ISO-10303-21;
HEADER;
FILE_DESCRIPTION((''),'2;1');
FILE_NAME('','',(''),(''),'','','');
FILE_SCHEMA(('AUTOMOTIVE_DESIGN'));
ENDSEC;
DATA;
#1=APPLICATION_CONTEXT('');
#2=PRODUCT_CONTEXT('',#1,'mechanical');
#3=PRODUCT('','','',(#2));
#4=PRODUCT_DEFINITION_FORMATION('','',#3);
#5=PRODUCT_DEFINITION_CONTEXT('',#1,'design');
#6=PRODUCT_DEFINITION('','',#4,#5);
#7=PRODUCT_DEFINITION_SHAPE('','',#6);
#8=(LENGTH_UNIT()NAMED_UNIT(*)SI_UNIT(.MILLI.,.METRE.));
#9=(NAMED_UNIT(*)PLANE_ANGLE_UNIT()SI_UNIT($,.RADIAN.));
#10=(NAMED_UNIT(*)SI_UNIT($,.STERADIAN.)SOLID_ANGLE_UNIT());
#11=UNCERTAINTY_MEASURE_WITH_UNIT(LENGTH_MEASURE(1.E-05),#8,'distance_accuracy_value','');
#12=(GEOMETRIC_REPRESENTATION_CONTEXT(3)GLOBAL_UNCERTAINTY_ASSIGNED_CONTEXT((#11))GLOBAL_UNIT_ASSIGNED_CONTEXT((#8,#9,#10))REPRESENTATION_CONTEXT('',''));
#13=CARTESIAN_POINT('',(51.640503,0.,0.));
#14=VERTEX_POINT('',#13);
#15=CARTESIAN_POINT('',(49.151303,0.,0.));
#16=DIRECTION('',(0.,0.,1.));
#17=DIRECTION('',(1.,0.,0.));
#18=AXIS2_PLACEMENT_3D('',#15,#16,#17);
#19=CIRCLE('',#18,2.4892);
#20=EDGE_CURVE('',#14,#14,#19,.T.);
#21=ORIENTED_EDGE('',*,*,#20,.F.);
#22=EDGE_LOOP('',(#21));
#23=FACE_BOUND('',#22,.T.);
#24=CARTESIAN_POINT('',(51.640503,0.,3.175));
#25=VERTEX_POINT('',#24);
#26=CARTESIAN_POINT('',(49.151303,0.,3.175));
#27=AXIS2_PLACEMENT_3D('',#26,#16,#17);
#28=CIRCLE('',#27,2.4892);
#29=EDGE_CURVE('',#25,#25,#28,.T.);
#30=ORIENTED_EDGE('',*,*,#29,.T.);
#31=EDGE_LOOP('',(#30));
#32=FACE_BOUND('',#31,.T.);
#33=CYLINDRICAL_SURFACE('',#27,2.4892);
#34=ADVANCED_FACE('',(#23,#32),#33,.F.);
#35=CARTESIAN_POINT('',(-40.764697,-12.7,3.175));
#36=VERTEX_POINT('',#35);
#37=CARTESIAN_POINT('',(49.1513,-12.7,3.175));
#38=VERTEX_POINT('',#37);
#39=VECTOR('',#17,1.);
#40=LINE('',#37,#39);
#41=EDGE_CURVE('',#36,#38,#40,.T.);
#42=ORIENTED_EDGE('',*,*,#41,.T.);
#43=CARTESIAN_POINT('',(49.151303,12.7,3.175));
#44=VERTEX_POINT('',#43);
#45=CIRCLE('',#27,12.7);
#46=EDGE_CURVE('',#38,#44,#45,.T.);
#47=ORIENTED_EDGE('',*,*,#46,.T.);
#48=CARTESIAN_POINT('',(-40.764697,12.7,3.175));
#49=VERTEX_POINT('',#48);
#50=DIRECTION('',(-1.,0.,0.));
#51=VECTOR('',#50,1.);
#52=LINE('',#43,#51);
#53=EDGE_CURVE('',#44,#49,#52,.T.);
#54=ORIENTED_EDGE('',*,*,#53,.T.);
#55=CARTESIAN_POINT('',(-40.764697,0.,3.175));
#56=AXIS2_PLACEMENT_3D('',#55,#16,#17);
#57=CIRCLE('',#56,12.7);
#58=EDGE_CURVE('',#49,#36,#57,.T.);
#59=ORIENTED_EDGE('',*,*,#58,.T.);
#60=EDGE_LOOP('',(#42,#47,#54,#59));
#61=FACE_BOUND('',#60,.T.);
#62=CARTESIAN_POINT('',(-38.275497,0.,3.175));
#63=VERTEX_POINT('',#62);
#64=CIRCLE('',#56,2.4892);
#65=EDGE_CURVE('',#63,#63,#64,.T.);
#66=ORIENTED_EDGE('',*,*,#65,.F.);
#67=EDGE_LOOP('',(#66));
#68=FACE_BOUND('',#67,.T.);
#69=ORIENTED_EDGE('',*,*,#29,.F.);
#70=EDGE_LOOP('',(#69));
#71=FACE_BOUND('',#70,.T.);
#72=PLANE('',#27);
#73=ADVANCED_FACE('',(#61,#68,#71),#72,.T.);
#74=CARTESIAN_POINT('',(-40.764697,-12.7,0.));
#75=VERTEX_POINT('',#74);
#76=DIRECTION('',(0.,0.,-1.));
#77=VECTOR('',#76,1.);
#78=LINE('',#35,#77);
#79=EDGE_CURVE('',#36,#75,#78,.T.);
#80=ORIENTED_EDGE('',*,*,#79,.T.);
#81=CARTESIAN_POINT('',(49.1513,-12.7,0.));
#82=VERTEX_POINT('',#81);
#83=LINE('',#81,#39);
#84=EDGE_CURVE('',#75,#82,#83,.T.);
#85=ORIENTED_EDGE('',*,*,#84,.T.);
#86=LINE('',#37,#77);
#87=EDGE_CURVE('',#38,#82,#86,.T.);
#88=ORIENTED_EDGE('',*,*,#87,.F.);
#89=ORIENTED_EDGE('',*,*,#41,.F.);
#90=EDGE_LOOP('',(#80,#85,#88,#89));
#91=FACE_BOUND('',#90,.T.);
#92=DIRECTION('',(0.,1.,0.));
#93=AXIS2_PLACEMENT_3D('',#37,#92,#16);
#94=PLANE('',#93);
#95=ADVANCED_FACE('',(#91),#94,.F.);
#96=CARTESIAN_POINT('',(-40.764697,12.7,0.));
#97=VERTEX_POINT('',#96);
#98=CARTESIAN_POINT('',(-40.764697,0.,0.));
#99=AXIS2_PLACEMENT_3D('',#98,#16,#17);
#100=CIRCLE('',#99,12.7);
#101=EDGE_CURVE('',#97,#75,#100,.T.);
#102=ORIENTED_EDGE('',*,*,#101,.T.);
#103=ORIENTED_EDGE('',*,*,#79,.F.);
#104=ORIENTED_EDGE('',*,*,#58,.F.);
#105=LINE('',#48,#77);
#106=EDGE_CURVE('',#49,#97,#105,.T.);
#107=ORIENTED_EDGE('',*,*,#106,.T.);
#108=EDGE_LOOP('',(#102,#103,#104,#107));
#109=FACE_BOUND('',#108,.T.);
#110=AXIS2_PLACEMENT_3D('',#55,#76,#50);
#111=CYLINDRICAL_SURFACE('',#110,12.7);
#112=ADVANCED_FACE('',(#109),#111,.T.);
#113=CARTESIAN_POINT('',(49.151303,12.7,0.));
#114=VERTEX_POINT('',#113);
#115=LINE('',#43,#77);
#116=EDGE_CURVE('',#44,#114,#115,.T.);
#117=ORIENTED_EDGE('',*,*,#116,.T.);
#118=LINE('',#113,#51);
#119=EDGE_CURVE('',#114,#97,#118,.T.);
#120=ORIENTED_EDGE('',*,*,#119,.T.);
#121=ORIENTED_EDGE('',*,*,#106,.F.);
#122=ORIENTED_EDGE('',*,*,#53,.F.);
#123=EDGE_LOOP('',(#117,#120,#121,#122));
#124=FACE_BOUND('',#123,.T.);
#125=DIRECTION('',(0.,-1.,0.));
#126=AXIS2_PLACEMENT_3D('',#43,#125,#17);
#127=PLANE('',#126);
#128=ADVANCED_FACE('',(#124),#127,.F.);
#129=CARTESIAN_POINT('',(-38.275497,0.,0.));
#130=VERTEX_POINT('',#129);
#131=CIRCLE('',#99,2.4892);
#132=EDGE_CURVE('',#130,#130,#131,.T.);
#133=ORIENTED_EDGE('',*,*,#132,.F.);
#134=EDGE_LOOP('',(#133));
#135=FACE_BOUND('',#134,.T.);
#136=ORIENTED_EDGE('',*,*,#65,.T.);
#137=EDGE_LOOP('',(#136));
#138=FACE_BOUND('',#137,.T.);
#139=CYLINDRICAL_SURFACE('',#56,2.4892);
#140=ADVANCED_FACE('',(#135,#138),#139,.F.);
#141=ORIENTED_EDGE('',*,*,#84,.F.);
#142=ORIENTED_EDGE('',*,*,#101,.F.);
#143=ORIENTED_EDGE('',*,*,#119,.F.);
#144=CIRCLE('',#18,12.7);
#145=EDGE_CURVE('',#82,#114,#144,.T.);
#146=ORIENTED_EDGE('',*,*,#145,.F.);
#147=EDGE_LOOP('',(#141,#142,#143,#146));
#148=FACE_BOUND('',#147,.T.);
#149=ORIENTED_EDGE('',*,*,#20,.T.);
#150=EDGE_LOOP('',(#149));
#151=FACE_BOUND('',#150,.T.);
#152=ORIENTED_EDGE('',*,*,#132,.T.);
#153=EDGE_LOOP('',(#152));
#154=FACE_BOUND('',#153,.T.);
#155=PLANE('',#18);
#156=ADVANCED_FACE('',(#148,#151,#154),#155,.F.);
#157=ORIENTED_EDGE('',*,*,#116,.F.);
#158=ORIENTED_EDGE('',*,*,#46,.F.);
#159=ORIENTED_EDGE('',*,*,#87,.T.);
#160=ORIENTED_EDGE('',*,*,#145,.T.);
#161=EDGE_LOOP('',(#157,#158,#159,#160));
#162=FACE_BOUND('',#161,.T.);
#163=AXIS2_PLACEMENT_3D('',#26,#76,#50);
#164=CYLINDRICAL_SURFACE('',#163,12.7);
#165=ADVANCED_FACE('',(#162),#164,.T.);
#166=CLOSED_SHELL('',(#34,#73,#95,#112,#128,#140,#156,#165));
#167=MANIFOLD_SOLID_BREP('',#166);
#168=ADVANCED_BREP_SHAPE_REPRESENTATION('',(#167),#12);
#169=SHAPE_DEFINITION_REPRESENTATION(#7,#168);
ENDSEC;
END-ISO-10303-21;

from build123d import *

# Parameters (mm, degrees)
BOSS_EXTRUDE1_DEPTH        = 3.175
F_9_0_196_DIAMETER_HOLE1_D = 4.9784


with BuildPart() as part:
    # Sketch1 → Boss-Extrude1 (new body)
    with BuildSketch(Plane(origin=(0, 0, 0), x_dir=(0, 1, 0), z_dir=(0, 0, 1))):
        with BuildLine():
            Line((-12.7, -49.151299627), (-12.7, 40.764697174))
            ThreePointArc((-12.7, 40.764697174), (0, 53.464697174), (12.7, 40.764697174))
            Line((12.7, 40.764697174), (12.7, -49.151302826))
            ThreePointArc((12.7, -49.151302826), (-1.599e-06, -61.851302826), (-12.7, -49.151299627))
        make_face()
    extrude(amount=BOSS_EXTRUDE1_DEPTH)

    # #9 (0.196) Diameter Hole1 (through all)
    with Locations(Plane.XY.offset(3.175)):
        with Locations((-40.764697174, 0), (49.151302826, 0)):
            Hole(F_9_0_196_DIAMETER_HOLE1_D / 2)


solid = part.part
